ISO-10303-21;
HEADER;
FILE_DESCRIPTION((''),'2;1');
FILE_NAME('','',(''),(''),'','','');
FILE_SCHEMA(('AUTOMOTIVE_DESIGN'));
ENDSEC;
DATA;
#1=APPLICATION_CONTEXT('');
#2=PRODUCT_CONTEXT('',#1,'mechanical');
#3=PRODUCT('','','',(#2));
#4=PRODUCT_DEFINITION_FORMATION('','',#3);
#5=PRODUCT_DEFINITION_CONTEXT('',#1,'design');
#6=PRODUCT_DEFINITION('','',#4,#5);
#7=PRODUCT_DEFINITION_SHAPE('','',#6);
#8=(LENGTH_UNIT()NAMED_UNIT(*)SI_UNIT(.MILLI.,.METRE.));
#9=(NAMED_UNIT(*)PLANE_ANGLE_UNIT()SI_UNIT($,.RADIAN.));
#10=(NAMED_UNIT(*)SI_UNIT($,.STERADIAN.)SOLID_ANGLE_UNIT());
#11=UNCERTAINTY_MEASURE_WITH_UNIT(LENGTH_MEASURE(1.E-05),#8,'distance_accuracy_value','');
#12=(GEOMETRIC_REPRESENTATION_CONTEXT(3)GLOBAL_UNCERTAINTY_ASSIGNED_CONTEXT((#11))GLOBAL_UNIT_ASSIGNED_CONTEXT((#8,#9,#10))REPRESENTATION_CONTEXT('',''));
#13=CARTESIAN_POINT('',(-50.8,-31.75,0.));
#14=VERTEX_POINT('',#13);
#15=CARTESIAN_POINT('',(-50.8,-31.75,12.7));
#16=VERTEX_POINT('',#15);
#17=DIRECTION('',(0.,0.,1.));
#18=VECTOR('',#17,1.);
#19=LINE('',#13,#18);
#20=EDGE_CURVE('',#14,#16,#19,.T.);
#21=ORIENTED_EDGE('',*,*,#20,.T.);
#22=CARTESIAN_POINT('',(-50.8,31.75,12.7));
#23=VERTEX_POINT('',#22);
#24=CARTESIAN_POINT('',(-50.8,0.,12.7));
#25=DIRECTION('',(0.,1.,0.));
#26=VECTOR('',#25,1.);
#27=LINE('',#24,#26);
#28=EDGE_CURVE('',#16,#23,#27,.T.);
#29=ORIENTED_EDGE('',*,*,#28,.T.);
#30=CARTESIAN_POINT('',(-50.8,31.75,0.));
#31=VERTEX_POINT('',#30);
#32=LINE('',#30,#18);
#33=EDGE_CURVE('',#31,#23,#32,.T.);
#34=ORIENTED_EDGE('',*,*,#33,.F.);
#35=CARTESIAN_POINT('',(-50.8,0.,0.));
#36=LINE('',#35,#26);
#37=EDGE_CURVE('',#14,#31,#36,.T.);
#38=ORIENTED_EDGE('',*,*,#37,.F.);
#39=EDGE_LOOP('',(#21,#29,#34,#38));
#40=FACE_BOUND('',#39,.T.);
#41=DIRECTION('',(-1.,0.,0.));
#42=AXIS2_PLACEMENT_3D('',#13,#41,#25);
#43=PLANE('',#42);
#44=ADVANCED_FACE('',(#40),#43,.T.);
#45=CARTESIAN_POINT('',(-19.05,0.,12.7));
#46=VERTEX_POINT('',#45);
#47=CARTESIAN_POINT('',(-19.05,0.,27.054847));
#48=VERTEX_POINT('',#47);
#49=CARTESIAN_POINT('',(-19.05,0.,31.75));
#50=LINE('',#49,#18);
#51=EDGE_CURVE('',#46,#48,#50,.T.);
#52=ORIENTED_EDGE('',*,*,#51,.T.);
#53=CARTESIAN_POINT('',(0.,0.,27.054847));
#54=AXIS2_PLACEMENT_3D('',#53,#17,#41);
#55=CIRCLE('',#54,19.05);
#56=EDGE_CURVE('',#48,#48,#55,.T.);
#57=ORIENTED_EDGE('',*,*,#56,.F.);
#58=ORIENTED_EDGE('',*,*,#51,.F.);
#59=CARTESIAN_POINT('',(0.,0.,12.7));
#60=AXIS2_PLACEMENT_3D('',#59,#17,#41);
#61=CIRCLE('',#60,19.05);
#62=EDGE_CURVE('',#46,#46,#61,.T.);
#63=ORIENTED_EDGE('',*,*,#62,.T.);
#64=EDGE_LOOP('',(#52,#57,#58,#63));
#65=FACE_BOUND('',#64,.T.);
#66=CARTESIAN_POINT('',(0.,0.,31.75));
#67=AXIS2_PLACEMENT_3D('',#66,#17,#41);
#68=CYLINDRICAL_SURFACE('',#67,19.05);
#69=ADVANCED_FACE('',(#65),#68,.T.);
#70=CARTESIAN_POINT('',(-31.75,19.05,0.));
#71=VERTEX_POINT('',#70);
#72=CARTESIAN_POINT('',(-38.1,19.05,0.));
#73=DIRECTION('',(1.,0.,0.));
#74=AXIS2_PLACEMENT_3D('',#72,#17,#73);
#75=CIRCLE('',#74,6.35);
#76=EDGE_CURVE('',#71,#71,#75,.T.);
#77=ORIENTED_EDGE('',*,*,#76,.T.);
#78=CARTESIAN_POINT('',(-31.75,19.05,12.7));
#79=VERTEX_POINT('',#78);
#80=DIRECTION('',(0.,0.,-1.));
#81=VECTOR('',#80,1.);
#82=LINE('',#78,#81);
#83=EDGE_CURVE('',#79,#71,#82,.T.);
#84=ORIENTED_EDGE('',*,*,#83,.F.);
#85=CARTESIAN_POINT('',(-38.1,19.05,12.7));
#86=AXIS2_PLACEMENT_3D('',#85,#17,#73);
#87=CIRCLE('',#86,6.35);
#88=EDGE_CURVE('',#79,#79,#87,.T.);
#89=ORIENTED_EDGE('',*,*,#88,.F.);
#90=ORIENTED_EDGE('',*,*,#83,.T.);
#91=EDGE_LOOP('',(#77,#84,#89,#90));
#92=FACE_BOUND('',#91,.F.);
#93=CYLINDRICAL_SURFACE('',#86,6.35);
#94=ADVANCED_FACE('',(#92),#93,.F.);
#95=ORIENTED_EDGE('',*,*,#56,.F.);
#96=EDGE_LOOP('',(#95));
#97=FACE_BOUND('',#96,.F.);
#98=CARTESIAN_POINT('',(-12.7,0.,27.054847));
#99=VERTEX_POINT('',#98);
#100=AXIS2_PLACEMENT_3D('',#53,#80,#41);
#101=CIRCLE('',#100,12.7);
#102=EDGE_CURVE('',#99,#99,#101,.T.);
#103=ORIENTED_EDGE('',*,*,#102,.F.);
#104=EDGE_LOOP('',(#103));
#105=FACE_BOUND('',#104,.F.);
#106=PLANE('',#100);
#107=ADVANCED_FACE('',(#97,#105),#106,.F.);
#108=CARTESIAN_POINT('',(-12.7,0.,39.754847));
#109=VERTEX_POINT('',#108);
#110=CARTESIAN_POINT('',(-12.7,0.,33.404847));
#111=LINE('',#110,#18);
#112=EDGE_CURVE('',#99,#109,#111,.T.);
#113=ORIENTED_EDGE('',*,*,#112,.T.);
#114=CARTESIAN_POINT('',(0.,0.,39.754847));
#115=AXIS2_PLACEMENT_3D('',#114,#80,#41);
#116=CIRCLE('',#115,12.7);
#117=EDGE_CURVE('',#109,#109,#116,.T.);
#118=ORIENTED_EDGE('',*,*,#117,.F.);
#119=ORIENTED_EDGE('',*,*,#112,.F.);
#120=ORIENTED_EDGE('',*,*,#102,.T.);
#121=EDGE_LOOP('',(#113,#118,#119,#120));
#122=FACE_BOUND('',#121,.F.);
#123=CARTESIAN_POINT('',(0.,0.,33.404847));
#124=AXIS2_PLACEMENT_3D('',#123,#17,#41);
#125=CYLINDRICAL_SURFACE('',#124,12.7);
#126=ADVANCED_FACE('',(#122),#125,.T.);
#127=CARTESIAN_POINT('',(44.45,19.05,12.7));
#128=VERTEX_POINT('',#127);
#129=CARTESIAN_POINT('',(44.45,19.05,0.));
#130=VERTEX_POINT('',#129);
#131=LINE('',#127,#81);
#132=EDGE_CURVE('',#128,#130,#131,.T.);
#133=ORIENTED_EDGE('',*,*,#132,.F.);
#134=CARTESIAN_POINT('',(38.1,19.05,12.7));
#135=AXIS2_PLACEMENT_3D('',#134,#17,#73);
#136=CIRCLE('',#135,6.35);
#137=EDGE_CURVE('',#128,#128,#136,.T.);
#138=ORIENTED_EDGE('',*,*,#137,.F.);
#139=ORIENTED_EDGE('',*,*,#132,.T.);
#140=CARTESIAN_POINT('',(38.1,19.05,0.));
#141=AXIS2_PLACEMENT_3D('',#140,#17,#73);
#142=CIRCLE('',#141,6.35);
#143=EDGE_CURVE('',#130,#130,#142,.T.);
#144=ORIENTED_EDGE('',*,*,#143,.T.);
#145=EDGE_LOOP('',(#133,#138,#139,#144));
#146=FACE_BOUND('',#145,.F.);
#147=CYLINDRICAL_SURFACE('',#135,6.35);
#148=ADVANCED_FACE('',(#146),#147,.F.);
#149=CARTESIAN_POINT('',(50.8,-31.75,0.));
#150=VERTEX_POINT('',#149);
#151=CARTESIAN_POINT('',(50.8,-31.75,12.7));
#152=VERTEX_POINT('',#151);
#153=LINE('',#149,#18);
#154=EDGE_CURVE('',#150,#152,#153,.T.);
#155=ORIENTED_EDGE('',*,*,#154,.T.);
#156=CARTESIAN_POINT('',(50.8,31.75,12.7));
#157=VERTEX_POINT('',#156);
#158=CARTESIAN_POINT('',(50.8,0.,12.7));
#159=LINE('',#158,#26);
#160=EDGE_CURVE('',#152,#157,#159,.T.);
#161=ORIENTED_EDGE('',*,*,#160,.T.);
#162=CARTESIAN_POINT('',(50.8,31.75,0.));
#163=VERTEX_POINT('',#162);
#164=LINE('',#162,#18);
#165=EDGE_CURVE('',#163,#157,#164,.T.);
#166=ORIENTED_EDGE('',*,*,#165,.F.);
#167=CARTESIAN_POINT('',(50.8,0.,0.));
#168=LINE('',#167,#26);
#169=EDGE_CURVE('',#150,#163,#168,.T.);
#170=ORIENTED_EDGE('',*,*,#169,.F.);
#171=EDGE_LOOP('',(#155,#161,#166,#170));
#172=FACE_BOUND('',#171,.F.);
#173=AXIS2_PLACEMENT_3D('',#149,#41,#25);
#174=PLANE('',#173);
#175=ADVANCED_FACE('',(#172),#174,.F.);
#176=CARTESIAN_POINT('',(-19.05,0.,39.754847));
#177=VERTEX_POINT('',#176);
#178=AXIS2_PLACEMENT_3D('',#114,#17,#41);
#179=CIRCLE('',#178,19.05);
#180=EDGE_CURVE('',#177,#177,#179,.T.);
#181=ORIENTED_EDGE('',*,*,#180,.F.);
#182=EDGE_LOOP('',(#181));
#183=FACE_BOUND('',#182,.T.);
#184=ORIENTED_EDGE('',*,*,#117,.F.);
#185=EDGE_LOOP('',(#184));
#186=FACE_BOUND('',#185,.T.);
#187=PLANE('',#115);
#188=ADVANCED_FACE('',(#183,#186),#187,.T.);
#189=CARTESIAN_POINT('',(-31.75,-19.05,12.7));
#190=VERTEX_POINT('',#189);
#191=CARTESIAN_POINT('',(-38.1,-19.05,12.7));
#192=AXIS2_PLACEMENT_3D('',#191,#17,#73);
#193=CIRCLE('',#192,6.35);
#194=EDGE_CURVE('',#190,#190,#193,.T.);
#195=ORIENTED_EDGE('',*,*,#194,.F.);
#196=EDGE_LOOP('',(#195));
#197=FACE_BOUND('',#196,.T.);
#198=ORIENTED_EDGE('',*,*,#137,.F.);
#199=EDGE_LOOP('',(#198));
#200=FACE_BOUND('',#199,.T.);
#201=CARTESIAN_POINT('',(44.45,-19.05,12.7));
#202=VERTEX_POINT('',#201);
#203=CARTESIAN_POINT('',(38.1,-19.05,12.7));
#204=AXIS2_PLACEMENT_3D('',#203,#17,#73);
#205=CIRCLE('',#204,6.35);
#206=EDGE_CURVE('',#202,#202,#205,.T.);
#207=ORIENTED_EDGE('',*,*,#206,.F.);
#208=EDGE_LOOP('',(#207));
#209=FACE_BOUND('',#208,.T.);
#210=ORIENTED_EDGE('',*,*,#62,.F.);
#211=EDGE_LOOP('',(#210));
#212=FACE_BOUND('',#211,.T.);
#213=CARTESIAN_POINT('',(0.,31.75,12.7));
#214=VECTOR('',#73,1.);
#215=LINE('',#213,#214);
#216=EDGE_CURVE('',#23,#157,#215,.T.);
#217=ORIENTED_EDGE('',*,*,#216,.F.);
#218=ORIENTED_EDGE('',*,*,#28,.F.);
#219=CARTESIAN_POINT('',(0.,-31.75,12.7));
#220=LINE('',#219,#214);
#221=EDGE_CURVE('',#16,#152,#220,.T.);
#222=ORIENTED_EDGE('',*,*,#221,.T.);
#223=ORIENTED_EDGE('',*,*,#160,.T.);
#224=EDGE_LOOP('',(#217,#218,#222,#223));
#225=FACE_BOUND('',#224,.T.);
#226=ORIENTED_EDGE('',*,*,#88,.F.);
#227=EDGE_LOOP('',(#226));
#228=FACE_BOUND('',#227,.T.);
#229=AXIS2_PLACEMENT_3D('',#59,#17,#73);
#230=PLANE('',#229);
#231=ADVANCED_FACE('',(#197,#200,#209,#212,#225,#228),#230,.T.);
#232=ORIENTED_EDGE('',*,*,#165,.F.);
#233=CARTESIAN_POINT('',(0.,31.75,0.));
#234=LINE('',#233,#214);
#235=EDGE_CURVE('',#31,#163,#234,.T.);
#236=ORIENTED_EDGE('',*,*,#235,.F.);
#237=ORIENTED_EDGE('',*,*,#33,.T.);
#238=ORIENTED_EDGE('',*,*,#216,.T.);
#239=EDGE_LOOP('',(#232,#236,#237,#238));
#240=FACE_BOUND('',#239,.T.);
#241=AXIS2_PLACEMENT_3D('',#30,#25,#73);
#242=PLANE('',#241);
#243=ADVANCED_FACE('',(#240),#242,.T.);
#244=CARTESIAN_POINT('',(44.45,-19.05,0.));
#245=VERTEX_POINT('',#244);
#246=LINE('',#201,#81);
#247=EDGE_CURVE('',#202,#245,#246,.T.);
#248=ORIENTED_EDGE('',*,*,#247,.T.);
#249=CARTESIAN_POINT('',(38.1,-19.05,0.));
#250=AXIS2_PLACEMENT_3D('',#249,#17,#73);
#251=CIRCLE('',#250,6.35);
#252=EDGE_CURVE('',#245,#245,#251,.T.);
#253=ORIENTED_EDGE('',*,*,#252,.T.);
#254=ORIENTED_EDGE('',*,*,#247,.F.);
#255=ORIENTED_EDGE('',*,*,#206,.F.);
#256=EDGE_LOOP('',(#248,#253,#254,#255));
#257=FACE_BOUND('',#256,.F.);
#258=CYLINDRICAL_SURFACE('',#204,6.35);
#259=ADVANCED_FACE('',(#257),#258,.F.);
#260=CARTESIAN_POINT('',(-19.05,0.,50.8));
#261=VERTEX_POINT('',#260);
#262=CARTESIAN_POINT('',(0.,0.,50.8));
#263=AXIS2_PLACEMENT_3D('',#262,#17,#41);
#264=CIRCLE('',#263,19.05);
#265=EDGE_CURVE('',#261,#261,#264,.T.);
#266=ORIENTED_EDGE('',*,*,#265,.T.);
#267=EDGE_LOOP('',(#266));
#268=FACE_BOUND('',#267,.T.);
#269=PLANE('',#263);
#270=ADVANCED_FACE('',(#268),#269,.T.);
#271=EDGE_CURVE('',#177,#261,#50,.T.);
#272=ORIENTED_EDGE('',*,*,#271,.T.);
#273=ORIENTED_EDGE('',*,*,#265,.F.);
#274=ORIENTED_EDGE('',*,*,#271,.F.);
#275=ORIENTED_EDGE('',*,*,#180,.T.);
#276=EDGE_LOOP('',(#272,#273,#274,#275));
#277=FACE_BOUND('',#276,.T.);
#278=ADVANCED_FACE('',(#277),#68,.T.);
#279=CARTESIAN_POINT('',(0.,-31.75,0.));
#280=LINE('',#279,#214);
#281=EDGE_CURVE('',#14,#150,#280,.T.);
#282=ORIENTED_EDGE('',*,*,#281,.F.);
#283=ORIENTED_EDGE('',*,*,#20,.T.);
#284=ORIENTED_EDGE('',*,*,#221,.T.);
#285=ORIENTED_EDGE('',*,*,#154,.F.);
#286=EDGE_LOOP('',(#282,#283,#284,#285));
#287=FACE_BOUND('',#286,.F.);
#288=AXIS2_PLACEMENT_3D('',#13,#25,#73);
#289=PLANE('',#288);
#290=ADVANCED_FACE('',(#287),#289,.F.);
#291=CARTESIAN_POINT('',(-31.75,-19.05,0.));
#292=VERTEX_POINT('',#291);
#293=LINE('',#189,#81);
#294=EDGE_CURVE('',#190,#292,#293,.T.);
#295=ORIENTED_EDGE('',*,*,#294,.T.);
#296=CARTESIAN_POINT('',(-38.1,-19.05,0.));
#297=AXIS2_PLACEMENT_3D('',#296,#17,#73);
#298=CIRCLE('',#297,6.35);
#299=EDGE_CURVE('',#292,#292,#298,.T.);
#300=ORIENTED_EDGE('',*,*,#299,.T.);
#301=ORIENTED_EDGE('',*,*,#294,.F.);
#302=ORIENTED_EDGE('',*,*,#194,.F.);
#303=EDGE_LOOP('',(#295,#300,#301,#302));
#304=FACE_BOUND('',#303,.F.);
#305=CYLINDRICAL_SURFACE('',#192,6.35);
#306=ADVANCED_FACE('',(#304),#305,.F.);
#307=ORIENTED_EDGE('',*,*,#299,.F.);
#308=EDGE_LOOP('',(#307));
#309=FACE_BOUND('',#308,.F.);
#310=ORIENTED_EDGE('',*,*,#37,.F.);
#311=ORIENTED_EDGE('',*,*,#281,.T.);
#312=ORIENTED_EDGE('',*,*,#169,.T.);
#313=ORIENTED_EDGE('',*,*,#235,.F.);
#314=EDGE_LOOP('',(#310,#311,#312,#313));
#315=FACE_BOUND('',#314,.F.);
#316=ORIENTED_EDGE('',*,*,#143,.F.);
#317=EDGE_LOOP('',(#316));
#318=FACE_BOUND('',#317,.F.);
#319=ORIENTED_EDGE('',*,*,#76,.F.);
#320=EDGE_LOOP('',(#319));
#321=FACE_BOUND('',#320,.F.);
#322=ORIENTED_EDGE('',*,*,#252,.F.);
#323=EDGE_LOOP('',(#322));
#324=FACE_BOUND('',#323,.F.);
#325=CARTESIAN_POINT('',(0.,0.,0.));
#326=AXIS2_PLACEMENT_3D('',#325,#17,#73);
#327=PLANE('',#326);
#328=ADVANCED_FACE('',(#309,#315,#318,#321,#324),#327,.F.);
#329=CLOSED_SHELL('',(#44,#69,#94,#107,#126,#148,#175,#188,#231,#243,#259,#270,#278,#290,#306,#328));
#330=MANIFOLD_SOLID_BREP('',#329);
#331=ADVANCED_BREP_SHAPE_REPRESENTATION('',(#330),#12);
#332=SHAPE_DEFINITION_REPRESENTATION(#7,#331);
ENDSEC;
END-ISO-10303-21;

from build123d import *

# Parameters (mm, degrees)
F0_W     = 101.6
F0_H     = 63.5
F1_DEPTH = 12.7
F2_R     = 6.35
F3_DEPTH = 25.4
F4_W     = 19.05
F4_H     = 38.1
F6_W     = 12.7
F6_H     = 12.7


with BuildPart() as f1:
    # F0 (on Top) → F1 (new body)
    with BuildSketch(Plane.XY):
        Rectangle(F0_W, F0_H)
    extrude(amount=F1_DEPTH)

    # F2 (on face) → F3 (cut)
    with BuildSketch(Plane.XY.offset(12.7)):
        with Locations((-38.1, 19.05)):
            Circle(F2_R)
        with Locations((-38.1, -19.05)):
            Circle(F2_R)
        with Locations((38.1, -19.05)):
            Circle(F2_R)
        with Locations((38.1, 19.05)):
            Circle(F2_R)
    extrude(amount=-F3_DEPTH, mode=Mode.SUBTRACT)

    # F4 (on Front) → F5 (revolve)
    with BuildSketch(Plane.XZ):
        with Locations((-9.525, 31.75)):
            Rectangle(F4_W, F4_H)
    revolve(axis=Axis((0, 0, 31.75), (0, 0, 1)))

    # F6 (on Front) → F7 (revolve, cut)
    with BuildSketch(Plane.XZ):
        with Locations((-19.05, 33.404847)):
            Rectangle(F6_W, F6_H)
    revolve(axis=Axis((0, 0, 21.012729), (0, 0, -1)), mode=Mode.SUBTRACT)


solid = f1.part
